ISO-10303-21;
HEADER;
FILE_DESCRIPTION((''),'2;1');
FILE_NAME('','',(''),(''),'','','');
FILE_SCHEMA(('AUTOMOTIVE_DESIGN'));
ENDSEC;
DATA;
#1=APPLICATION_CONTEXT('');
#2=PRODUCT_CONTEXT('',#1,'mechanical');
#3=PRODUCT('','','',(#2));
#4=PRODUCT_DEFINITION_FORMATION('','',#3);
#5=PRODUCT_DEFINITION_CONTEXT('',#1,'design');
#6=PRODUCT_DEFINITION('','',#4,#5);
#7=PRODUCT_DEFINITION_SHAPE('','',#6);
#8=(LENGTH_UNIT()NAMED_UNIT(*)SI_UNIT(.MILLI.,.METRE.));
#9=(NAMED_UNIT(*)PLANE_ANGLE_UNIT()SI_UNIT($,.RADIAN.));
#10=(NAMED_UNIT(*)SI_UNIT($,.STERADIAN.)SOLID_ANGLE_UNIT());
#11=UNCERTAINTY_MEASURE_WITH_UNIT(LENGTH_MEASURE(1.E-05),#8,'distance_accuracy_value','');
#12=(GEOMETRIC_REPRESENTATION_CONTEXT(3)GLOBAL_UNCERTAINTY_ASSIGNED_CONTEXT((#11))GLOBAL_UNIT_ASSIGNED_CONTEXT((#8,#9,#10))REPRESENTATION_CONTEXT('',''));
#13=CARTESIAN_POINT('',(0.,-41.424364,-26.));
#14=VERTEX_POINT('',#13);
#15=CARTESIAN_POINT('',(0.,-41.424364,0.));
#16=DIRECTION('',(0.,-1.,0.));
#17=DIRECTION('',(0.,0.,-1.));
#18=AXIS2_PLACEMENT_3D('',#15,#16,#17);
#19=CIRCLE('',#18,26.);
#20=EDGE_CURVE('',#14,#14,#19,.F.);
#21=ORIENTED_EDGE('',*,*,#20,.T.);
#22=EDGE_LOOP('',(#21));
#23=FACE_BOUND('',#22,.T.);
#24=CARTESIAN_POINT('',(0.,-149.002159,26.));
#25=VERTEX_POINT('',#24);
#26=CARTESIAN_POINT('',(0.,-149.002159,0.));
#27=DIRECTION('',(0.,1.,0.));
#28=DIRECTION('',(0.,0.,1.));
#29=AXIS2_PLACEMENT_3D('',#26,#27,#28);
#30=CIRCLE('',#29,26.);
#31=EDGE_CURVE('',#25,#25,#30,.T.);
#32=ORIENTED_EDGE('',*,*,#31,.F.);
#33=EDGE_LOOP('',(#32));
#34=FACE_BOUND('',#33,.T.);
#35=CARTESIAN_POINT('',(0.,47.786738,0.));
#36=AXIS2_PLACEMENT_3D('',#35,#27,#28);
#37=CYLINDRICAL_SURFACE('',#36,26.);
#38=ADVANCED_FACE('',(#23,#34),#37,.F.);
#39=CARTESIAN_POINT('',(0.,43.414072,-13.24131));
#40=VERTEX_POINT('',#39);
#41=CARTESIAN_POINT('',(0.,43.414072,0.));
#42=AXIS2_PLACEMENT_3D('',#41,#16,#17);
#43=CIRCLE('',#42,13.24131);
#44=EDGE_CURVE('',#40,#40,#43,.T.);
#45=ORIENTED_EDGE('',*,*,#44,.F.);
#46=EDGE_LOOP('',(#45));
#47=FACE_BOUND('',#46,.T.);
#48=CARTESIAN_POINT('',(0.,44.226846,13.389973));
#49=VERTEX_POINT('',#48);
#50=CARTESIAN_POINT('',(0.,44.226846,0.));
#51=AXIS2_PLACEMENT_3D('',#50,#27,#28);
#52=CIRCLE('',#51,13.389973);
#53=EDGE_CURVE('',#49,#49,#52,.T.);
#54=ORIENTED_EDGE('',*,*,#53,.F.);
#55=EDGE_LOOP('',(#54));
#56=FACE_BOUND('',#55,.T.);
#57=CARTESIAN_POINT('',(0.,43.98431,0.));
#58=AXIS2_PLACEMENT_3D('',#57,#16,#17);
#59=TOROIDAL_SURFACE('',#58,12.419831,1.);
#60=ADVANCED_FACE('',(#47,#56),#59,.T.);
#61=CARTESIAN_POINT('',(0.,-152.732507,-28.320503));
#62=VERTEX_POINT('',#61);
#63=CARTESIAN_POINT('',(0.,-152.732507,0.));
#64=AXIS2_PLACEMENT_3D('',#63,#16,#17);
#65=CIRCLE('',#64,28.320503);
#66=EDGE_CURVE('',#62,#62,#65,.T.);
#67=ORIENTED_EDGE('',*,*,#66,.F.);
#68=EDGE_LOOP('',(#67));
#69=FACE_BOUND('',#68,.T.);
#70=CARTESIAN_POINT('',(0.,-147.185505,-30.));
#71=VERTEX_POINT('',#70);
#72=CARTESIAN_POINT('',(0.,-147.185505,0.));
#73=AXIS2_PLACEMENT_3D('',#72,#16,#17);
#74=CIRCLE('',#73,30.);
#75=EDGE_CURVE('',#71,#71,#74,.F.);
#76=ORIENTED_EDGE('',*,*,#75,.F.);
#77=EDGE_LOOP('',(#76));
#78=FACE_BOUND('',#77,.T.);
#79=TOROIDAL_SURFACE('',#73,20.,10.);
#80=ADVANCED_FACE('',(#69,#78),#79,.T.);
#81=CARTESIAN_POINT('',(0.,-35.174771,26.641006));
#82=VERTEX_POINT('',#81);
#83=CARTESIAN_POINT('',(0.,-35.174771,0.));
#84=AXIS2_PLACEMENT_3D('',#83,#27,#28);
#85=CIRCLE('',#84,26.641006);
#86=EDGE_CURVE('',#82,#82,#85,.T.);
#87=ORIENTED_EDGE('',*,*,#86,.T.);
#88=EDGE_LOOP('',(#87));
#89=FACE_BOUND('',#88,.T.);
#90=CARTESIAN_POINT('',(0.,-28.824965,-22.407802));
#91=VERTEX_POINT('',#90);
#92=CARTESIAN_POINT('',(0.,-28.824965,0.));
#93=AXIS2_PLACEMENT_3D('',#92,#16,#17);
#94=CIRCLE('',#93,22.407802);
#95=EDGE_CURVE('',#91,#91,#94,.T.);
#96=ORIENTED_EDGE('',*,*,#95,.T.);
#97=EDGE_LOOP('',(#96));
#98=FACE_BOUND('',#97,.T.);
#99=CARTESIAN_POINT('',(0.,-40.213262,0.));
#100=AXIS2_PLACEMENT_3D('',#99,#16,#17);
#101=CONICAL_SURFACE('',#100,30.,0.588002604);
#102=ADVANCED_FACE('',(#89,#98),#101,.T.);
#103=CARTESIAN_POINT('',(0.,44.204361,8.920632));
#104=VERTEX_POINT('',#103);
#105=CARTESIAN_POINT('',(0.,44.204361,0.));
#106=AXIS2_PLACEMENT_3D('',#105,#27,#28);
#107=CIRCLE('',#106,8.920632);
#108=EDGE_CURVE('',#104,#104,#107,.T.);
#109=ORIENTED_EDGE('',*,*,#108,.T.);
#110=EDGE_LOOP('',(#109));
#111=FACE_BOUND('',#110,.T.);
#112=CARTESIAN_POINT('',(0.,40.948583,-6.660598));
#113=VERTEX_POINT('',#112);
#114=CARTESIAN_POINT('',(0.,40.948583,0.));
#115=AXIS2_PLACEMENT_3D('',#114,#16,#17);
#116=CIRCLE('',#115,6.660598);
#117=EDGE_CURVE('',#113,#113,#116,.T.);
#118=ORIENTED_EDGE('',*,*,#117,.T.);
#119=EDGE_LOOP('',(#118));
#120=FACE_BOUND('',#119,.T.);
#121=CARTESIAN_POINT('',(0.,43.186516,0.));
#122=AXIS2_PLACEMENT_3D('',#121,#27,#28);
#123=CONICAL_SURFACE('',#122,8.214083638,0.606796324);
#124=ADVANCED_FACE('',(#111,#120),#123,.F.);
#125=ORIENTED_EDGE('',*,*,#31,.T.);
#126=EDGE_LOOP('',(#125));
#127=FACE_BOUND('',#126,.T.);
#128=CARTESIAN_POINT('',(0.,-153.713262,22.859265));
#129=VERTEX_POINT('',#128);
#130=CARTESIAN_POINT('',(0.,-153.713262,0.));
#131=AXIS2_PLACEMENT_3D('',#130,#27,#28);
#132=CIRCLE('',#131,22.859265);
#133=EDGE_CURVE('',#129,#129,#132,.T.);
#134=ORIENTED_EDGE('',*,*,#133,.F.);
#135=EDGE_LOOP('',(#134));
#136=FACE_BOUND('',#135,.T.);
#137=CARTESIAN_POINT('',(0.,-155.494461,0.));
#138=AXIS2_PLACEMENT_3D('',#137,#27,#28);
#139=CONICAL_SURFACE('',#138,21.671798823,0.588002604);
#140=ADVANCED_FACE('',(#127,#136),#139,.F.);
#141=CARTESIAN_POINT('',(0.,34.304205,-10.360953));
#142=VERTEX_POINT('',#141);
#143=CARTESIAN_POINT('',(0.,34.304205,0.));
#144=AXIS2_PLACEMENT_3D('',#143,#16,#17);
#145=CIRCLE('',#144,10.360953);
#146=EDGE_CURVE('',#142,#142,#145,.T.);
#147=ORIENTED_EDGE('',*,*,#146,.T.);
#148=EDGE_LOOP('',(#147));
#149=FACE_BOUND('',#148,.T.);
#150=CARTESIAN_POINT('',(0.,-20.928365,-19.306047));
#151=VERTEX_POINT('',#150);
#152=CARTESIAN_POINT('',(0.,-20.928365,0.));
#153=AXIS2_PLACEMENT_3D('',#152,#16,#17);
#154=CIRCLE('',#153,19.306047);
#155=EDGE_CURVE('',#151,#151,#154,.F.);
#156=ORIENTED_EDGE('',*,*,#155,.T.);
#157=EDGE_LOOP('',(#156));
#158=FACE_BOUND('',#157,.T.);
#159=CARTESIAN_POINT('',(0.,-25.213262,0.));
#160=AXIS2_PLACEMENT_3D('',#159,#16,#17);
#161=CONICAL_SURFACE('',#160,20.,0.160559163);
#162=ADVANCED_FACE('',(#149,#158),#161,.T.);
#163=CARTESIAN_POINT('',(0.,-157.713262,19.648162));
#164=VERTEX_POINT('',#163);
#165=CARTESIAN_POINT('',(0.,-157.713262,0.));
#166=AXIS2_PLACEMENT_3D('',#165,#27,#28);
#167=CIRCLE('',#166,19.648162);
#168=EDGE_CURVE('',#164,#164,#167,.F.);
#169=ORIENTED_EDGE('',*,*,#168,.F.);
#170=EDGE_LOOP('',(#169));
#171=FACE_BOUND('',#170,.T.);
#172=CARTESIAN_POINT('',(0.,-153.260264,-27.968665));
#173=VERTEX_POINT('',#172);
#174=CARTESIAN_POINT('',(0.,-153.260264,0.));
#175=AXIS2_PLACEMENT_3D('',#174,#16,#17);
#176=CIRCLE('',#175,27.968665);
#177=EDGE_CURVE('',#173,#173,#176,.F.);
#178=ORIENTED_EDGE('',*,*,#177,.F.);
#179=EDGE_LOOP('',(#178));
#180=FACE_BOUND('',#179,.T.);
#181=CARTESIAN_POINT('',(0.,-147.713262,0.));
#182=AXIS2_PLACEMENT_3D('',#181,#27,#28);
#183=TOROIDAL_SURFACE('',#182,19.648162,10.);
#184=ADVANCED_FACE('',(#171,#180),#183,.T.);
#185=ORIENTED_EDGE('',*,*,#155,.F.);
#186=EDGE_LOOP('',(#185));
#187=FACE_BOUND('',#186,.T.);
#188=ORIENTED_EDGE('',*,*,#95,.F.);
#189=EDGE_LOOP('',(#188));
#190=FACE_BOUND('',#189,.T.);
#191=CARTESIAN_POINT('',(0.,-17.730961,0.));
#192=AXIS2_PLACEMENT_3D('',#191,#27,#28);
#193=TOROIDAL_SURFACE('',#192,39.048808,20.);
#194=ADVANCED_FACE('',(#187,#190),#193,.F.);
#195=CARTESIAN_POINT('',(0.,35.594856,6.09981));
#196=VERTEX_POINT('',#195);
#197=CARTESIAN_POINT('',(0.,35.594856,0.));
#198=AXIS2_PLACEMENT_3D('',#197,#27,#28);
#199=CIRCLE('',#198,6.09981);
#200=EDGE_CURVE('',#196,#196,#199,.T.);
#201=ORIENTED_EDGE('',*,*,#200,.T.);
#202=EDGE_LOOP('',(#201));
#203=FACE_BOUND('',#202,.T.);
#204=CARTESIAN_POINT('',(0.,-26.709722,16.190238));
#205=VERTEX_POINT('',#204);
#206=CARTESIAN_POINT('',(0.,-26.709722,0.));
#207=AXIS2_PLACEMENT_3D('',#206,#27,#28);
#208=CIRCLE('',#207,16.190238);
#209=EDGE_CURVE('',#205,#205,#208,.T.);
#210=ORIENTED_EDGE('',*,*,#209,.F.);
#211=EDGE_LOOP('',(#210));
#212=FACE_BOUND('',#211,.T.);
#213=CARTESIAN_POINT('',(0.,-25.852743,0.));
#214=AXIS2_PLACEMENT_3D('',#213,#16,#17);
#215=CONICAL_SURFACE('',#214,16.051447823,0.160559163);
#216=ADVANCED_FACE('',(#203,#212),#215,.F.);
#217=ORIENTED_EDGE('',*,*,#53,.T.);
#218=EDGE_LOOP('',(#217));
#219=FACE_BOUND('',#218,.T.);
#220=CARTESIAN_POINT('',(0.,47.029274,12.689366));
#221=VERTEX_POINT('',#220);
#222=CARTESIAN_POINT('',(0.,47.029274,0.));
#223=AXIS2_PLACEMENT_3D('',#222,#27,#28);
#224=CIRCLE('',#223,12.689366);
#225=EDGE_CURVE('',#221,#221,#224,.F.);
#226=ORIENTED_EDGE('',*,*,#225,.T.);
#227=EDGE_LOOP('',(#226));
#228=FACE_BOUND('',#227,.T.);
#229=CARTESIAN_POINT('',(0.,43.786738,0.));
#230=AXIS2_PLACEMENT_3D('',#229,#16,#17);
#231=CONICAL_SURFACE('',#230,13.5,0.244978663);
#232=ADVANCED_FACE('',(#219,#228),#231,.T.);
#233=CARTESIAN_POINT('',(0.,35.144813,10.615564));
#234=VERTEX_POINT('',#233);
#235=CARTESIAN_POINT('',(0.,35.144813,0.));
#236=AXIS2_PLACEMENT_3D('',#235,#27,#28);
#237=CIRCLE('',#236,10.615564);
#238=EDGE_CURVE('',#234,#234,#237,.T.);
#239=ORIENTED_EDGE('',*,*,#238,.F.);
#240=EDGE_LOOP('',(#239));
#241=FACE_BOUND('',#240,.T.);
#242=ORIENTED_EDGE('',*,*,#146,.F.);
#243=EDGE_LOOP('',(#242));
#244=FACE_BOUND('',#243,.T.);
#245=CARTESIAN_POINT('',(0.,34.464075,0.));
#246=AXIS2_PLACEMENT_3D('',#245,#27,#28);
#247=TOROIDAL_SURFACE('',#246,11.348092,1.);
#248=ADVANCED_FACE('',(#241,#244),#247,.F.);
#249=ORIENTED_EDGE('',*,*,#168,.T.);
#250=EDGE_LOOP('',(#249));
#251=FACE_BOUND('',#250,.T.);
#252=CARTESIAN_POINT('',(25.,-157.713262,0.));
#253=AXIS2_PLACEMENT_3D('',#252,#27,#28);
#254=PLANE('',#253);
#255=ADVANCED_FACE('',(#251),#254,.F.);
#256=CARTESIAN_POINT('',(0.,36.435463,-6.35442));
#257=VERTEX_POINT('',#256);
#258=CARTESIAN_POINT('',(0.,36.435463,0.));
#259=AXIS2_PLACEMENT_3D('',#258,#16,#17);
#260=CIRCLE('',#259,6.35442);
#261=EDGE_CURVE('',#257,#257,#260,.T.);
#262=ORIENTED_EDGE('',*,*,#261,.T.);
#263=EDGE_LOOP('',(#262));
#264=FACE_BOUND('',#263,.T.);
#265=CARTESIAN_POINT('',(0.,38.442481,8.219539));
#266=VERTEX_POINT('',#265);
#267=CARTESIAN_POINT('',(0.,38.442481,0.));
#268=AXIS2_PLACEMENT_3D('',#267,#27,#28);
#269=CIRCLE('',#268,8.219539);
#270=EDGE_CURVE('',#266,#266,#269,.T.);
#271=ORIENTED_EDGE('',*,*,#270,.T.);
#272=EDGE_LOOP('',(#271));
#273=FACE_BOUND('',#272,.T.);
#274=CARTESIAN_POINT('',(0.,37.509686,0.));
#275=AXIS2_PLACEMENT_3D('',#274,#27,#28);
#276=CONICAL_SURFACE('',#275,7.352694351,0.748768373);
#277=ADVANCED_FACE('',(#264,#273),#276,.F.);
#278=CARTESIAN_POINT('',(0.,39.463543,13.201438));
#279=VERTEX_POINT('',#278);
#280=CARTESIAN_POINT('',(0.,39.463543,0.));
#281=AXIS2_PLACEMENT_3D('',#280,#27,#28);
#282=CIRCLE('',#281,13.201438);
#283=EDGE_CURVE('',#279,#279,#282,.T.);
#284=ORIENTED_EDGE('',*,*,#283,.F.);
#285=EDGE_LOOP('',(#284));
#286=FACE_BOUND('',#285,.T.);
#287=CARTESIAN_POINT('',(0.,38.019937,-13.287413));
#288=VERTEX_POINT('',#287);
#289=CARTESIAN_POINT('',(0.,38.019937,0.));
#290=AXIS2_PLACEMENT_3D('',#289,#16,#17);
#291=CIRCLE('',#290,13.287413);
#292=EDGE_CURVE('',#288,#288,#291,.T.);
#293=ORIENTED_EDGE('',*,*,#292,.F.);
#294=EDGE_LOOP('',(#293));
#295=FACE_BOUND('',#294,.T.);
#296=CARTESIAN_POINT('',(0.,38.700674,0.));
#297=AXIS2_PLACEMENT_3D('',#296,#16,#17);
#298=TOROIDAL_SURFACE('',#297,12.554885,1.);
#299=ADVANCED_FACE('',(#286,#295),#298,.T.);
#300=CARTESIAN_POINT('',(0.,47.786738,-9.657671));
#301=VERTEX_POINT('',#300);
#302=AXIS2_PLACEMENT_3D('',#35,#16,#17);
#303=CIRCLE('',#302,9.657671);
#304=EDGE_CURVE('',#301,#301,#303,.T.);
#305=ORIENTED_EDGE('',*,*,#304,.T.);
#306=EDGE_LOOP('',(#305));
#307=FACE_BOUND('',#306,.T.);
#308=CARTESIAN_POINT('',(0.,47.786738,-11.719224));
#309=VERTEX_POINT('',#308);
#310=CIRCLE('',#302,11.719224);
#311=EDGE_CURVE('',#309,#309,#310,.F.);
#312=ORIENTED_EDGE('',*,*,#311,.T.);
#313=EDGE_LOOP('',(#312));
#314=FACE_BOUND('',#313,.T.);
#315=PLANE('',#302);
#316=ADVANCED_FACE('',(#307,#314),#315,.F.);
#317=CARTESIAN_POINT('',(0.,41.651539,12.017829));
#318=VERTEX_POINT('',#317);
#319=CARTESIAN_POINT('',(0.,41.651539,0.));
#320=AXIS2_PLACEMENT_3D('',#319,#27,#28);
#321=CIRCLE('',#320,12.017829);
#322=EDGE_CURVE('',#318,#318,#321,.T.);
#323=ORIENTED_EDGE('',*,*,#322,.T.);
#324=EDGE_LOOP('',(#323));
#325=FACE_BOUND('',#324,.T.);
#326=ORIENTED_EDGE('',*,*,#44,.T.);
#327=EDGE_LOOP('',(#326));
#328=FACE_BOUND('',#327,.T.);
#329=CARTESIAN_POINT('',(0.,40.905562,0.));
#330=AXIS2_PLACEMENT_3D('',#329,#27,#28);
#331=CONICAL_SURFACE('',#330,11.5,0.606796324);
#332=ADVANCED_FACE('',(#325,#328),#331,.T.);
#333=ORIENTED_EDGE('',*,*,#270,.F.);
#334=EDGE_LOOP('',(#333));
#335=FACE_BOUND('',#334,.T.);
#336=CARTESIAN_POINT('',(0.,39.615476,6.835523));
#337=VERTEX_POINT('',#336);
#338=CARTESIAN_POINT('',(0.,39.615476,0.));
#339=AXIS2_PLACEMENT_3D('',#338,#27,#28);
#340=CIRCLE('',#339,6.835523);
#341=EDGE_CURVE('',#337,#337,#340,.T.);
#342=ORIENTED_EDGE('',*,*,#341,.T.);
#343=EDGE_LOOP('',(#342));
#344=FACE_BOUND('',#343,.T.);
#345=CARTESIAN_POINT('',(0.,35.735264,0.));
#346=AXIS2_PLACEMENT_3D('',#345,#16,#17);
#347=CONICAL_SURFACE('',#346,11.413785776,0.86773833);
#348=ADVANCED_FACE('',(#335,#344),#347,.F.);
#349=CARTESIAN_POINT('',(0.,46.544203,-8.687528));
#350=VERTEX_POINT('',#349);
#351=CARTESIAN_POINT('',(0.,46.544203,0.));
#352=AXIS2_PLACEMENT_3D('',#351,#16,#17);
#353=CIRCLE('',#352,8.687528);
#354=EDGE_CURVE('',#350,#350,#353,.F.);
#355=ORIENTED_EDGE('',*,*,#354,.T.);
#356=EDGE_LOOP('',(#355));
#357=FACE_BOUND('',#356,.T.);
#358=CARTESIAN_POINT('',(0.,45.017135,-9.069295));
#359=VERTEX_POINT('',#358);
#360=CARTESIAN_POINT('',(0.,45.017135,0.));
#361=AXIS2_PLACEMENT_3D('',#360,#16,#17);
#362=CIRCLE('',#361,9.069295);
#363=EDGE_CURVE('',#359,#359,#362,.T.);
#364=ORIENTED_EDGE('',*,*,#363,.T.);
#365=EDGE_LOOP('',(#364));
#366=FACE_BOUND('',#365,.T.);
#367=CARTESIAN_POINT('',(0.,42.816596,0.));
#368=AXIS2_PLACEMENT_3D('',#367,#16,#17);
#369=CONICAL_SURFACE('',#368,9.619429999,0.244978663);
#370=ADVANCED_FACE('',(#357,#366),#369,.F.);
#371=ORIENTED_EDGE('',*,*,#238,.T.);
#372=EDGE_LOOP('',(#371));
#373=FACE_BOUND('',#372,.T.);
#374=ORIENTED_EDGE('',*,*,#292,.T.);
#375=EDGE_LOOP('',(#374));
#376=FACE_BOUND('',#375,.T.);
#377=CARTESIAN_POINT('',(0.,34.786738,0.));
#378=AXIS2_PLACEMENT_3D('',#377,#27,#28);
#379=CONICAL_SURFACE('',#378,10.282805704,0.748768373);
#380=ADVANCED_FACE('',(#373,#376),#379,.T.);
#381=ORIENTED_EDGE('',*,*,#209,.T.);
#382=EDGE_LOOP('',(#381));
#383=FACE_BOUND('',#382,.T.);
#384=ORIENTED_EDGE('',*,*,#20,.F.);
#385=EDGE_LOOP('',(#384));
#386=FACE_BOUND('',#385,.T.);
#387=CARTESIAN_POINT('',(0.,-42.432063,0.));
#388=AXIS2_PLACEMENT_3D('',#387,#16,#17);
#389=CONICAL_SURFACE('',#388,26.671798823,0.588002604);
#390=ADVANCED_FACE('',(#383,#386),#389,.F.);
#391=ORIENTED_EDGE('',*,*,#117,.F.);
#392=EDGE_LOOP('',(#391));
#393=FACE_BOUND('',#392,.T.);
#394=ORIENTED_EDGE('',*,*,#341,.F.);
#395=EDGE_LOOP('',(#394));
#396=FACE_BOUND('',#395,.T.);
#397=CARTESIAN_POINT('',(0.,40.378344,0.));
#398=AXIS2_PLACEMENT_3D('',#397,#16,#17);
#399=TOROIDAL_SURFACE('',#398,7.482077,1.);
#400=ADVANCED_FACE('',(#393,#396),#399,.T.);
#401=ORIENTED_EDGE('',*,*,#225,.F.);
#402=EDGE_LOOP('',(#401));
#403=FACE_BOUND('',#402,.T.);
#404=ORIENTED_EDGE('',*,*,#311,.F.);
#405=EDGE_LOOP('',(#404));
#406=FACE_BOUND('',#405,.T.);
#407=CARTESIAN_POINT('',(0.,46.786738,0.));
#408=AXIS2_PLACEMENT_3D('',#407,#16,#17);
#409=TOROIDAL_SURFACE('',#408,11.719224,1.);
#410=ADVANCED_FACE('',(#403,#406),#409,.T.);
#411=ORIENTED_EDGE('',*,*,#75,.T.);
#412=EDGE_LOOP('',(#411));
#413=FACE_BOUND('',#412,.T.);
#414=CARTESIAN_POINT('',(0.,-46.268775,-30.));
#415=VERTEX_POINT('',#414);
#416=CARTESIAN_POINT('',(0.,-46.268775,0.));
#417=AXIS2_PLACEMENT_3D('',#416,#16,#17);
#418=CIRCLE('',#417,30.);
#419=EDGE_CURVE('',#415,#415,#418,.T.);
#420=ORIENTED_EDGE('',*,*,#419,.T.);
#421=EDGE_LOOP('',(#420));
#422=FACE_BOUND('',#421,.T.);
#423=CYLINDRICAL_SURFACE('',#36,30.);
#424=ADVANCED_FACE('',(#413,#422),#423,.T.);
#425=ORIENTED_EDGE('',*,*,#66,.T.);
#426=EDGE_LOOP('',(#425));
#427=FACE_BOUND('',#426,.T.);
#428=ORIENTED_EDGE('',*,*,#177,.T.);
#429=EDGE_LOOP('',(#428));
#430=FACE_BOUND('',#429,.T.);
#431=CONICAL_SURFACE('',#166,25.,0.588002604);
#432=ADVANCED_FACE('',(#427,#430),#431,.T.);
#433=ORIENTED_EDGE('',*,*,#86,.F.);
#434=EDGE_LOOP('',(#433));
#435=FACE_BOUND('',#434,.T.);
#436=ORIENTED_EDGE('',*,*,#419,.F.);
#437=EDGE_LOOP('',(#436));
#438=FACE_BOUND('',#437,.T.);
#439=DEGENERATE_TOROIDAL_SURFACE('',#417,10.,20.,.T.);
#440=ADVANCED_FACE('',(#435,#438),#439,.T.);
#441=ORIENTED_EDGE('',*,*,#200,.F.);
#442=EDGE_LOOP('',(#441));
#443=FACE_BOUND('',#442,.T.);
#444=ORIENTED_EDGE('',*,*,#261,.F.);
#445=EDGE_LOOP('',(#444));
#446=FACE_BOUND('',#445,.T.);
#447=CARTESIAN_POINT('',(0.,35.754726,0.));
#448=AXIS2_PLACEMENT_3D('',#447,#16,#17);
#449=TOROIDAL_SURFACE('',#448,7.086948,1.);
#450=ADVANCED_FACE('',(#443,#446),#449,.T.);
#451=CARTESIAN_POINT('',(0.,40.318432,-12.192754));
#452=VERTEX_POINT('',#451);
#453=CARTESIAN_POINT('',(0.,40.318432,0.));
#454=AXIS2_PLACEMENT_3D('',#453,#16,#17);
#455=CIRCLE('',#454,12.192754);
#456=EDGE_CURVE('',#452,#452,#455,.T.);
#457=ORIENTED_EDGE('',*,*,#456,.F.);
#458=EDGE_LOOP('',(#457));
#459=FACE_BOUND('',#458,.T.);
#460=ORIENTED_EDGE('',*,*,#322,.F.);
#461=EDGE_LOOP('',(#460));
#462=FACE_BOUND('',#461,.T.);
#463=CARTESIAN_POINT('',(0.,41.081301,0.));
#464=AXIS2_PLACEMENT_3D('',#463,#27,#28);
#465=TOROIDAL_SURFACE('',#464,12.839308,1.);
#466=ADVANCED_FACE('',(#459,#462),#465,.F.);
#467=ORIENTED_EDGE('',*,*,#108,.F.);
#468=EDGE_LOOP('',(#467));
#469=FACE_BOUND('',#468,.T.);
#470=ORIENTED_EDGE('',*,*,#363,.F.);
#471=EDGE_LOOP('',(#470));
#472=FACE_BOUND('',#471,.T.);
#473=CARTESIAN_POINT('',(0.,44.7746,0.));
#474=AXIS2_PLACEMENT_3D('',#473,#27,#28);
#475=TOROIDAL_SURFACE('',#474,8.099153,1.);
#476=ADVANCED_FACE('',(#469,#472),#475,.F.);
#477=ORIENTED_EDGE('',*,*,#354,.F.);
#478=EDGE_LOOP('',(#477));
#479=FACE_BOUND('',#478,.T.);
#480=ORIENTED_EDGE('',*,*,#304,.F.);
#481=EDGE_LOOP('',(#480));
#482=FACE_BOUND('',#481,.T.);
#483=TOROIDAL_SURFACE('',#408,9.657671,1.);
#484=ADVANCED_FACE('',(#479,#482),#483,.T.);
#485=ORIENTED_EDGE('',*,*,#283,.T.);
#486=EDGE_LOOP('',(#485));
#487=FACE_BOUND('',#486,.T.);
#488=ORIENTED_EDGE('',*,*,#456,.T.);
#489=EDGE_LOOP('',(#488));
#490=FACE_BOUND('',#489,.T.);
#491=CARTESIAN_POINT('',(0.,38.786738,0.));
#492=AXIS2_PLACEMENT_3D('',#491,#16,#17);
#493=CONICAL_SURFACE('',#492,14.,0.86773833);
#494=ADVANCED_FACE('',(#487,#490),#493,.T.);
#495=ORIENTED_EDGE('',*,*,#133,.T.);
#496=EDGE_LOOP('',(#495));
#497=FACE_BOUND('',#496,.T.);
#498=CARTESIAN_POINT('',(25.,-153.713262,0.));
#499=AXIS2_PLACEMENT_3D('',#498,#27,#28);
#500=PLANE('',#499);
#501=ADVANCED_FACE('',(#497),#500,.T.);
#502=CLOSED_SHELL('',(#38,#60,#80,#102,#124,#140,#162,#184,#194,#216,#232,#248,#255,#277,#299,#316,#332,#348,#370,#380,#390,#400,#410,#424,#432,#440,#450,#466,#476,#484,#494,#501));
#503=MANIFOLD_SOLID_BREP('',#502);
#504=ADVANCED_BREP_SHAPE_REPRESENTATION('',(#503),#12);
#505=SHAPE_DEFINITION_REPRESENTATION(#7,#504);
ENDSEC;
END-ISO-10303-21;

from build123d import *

# Parameters (mm, degrees)
SHELL1_T  = -4
FILLET1_R = 20
FILLET2_R = 10
FILLET3_R = 1


with BuildPart() as part:
    # Sketch1 → Revolve1 (revolve)
    with BuildSketch(Plane.XY, mode=Mode.PRIVATE) as revolve1_sk:
        Polygon((12.5, 47.786738162), (13.5, 43.786738162), (11.5, 40.90556163), (14, 38.786738162), (10.282805704, 34.786738162), (20, -25.213261838), (30, -40.213261838), (30, -150.213261838), (25, -157.713261838), (0, -157.713261838), (0, 47.786738162), align=None)
    revolve(revolve1_sk.sketch.rotate(Axis((0, 47.786738162, 0), (0, -1, 0)), 90), axis=Axis((0, 47.786738162, 0), (0, -1, 0)))

    # Shell1
    shell1_openings = [part.faces().sort_by_distance(p)[0] for p in [
        (0, 47.786738162, 0),
    ]]
    offset(amount=SHELL1_T, openings=shell1_openings, kind=Kind.INTERSECTION)

    # Fillet1
    fillet1_edges = [part.edges().sort_by_distance(p)[0] for p in [
        (0, -40.213261838, -30),
        (0, -25.213261838, -20),
    ]]
    fillet(fillet1_edges, radius=FILLET1_R)

    # Fillet2
    fillet2_edges = [part.edges().sort_by_distance(p)[0] for p in [
        (0, -157.713261838, -25),
        (0, -150.213261838, -30),
    ]]
    fillet(fillet2_edges, radius=FILLET2_R)

    # Fillet3
    fillet3_edges = [part.edges().sort_by_distance(p)[0] for p in [
        (0, 34.786738162, -10.282805704),
        (0, 38.786738162, -14),
        (0, 40.90556163, -11.5),
        (0, 43.786738162, -13.5),
        (0, 47.786738162, -12.5),
        (0, 47.786738162, -8.376894374),
        (0, 44.577027351, -9.179322077),
        (0, 40.202605101, -6.142769335),
        (0, 36.077389089, -6.021662442),
    ]]
    fillet(fillet3_edges, radius=FILLET3_R)


solid = part.part
